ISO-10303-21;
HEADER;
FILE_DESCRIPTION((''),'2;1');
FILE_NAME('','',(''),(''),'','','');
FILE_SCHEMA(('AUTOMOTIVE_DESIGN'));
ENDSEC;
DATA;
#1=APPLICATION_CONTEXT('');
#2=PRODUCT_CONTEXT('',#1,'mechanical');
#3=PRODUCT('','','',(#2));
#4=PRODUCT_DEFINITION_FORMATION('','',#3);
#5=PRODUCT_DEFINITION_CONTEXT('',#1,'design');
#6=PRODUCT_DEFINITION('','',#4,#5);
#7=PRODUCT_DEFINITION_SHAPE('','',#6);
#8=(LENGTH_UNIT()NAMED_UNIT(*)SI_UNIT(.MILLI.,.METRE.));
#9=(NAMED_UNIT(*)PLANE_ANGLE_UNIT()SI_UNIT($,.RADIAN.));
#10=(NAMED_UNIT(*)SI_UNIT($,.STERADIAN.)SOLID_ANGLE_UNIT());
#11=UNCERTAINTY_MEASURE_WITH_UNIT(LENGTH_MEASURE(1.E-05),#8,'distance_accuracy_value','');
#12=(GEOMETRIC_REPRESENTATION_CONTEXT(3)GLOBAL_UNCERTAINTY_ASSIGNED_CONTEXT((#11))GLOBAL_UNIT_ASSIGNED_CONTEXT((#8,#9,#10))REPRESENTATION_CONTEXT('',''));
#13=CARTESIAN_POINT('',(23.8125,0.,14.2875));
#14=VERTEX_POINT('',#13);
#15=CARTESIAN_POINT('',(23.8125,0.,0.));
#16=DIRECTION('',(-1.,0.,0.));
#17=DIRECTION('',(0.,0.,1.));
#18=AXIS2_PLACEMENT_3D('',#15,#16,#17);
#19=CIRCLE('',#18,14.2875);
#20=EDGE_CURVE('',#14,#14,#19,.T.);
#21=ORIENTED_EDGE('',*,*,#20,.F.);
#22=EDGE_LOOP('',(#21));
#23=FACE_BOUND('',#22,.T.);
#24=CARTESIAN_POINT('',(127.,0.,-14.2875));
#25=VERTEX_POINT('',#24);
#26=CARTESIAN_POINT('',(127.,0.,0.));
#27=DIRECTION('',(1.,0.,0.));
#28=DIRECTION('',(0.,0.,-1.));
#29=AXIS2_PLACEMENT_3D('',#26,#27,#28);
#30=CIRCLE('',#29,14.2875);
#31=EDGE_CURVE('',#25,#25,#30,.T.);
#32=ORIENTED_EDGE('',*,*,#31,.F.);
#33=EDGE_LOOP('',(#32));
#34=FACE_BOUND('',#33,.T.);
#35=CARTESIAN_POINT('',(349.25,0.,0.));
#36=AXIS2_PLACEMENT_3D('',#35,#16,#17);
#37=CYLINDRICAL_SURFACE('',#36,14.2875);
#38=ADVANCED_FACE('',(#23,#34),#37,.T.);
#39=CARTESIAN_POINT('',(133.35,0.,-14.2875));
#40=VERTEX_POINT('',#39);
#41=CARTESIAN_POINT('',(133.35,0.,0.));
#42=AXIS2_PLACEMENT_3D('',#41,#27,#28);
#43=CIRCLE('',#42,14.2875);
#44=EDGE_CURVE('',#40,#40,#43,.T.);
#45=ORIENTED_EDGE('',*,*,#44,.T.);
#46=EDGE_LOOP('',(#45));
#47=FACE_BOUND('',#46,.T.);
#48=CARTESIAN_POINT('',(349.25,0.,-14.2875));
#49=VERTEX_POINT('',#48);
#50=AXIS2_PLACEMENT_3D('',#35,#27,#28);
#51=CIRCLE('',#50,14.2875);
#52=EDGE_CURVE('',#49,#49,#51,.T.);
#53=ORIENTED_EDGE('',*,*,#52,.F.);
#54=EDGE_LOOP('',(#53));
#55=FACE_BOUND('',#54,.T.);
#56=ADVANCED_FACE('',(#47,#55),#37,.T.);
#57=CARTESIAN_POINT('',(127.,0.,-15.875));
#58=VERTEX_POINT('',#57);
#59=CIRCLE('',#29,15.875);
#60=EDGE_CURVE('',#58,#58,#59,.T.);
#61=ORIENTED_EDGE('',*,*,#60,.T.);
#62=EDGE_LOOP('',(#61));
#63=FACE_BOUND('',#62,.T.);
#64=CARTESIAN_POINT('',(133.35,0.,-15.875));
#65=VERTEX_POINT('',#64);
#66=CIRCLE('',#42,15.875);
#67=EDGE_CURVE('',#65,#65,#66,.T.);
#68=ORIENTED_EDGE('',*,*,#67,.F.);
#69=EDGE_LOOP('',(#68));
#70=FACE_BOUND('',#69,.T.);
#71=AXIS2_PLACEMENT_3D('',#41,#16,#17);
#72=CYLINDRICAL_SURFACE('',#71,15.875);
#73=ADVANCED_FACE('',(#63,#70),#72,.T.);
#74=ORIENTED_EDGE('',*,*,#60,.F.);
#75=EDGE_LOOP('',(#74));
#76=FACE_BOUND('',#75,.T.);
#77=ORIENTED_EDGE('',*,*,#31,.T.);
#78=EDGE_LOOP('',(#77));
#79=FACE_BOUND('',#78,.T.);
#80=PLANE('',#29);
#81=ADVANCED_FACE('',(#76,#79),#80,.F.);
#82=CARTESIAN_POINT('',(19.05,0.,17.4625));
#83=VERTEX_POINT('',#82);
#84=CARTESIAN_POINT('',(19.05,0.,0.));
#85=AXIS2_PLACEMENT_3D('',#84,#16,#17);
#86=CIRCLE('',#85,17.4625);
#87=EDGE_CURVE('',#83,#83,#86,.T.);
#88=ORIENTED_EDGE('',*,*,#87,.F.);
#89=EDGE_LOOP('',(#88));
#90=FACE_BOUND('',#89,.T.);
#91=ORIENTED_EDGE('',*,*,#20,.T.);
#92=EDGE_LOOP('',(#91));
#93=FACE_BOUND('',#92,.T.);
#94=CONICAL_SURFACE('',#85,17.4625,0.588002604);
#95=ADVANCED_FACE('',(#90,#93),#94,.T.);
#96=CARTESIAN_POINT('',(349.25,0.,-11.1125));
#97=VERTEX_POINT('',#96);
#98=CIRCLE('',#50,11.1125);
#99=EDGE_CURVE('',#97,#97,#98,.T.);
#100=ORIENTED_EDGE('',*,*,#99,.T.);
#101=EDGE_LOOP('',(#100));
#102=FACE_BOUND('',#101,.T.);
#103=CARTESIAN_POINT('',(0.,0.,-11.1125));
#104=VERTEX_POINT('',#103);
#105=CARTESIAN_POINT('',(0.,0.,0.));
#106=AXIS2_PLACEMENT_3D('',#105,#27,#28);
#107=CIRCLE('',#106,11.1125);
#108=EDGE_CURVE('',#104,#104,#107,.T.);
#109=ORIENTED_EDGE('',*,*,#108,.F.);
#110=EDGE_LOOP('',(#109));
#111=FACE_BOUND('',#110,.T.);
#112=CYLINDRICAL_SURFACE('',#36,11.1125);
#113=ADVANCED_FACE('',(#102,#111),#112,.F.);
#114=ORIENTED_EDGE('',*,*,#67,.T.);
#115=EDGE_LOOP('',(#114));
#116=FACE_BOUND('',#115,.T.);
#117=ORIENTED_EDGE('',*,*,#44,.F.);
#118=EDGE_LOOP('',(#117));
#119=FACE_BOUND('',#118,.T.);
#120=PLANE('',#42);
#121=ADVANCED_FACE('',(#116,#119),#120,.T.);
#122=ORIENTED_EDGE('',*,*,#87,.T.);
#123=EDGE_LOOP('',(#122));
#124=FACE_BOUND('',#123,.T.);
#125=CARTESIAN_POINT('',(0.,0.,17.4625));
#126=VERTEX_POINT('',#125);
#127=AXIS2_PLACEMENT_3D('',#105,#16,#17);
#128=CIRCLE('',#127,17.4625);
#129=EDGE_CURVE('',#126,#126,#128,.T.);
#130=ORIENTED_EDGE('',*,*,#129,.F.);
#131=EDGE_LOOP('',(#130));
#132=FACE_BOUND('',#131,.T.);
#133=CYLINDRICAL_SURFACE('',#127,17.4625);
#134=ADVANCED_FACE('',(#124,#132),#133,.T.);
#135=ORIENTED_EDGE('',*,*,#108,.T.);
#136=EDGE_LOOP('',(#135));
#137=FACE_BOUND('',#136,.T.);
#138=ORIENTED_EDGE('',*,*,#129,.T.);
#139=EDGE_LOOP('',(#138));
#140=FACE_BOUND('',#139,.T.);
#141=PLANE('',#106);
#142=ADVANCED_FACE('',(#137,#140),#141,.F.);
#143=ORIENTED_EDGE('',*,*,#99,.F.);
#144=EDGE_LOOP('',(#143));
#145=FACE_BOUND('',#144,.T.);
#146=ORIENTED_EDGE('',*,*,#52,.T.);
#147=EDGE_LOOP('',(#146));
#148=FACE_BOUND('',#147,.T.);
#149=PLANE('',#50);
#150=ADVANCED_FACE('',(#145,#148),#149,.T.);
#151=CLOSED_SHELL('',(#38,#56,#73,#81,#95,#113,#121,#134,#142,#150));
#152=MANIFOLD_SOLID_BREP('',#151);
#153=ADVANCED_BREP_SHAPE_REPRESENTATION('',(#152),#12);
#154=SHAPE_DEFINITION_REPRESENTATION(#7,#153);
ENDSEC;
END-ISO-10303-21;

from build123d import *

# Parameters (mm, degrees)
SKETCH1_R           = 14.2875
SKETCH1_R_2         = 11.1125
BOSS_EXTRUDE1_DEPTH = 349.25
SKETCH2_R           = 15.875
SKETCH2_R_2         = 12.674707898
BOSS_EXTRUDE2_DEPTH = 6.35


with BuildPart() as part:
    # Sketch1 → Boss-Extrude1 (new body)
    with BuildSketch(Plane(origin=(0, 0, 0), x_dir=(0, 0, -1), z_dir=(1, 0, 0))):
        Circle(SKETCH1_R)
        Circle(SKETCH1_R_2, mode=Mode.SUBTRACT)
    extrude(amount=BOSS_EXTRUDE1_DEPTH)

    # Sketch2 → Boss-Extrude2 (add)
    with BuildSketch(Plane(origin=(127, 0, 0), x_dir=(0, 0, -1), z_dir=(1, 0, 0))):
        Circle(SKETCH2_R)
        Circle(SKETCH2_R_2, mode=Mode.SUBTRACT)
    extrude(amount=BOSS_EXTRUDE2_DEPTH)

    # Sketch3 → Revolve1 (revolve)
    with BuildSketch(Plane.XY, mode=Mode.PRIVATE) as revolve1_sk:
        Polygon((23.8125, 12.531653429), (0, 12.531653429), (0, 17.4625), (19.05, 17.4625), (23.8125, 14.2875), align=None)
    revolve(revolve1_sk.sketch.rotate(Axis((0, 0, 0), (1, 0, 0)), 90), axis=Axis((0, 0, 0), (1, 0, 0)))


solid = part.part
